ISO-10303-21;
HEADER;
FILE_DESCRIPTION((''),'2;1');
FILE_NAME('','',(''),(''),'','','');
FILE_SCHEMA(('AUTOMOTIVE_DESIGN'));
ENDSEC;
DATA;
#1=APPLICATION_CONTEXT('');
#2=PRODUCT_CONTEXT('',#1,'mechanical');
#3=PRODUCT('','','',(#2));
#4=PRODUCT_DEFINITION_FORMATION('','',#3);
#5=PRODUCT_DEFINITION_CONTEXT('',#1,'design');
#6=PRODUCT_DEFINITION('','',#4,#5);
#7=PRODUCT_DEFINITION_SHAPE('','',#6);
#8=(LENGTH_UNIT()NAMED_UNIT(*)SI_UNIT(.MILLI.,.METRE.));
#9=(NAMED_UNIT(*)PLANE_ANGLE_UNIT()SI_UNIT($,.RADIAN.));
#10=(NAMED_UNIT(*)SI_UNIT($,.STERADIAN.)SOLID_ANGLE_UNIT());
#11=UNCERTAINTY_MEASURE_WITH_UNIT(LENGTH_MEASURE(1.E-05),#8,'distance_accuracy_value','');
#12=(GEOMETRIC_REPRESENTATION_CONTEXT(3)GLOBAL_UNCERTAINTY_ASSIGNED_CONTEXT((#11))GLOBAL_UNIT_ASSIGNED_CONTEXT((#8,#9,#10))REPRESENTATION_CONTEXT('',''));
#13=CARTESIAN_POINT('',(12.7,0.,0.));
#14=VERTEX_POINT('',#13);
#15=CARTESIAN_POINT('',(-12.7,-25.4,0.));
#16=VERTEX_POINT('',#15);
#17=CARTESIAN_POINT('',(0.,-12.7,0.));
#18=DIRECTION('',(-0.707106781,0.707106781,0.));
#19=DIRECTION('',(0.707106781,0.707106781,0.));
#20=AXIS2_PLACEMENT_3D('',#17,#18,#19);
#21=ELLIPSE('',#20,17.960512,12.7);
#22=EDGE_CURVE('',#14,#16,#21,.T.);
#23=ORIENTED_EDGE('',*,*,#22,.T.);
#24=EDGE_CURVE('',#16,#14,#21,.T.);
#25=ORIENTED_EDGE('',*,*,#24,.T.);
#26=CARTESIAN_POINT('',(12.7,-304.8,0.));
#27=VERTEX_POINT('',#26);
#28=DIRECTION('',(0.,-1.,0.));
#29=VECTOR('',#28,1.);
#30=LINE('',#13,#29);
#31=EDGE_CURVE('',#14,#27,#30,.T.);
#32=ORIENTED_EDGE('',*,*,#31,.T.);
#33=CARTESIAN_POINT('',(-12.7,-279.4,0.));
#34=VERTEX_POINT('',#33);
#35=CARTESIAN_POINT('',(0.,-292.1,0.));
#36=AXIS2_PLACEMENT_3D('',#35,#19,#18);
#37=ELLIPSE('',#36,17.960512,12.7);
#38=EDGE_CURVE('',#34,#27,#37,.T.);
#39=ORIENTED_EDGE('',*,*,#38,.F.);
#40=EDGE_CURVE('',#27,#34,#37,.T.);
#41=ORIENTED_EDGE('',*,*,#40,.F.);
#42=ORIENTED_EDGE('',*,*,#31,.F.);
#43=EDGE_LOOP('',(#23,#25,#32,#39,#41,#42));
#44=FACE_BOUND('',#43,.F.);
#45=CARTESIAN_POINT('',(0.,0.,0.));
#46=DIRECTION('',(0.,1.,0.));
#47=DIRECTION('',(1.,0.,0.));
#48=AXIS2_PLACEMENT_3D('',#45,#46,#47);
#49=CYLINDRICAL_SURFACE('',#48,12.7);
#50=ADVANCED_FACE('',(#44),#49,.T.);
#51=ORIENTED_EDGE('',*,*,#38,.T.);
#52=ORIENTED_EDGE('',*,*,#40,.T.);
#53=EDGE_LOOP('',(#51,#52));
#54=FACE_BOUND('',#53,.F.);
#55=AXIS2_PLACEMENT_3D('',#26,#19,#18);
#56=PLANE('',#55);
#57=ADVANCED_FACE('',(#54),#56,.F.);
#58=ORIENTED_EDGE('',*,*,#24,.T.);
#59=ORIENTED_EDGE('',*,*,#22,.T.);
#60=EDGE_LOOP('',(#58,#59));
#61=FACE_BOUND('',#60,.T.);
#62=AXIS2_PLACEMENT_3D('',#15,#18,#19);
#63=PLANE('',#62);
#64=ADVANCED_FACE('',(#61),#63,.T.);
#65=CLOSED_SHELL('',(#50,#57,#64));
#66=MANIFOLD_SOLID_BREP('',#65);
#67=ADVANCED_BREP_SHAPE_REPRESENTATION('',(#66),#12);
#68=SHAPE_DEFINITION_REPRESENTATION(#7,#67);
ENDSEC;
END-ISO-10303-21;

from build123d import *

# Parameters (mm, degrees)
F0_R     = 12.7
F1_DEPTH = 304.8
F3_DEPTH = 24.13


with BuildPart() as f1:
    # F0 (on Front) → F1 (new body)
    with BuildSketch(Plane.XZ):
        Circle(F0_R)
    extrude(amount=F1_DEPTH)

    # F2 (on Top) → F3 (cut, symmetric)
    with BuildSketch(Plane.XY):
        Polygon((-12.7, -25.4), (12.7, 0), (-12.7, 0), align=None)
        Polygon((-12.7, -304.8), (12.7, -304.8), (-12.7, -279.4), align=None)
    extrude(amount=F3_DEPTH, both=True, mode=Mode.SUBTRACT)


solid = f1.part
